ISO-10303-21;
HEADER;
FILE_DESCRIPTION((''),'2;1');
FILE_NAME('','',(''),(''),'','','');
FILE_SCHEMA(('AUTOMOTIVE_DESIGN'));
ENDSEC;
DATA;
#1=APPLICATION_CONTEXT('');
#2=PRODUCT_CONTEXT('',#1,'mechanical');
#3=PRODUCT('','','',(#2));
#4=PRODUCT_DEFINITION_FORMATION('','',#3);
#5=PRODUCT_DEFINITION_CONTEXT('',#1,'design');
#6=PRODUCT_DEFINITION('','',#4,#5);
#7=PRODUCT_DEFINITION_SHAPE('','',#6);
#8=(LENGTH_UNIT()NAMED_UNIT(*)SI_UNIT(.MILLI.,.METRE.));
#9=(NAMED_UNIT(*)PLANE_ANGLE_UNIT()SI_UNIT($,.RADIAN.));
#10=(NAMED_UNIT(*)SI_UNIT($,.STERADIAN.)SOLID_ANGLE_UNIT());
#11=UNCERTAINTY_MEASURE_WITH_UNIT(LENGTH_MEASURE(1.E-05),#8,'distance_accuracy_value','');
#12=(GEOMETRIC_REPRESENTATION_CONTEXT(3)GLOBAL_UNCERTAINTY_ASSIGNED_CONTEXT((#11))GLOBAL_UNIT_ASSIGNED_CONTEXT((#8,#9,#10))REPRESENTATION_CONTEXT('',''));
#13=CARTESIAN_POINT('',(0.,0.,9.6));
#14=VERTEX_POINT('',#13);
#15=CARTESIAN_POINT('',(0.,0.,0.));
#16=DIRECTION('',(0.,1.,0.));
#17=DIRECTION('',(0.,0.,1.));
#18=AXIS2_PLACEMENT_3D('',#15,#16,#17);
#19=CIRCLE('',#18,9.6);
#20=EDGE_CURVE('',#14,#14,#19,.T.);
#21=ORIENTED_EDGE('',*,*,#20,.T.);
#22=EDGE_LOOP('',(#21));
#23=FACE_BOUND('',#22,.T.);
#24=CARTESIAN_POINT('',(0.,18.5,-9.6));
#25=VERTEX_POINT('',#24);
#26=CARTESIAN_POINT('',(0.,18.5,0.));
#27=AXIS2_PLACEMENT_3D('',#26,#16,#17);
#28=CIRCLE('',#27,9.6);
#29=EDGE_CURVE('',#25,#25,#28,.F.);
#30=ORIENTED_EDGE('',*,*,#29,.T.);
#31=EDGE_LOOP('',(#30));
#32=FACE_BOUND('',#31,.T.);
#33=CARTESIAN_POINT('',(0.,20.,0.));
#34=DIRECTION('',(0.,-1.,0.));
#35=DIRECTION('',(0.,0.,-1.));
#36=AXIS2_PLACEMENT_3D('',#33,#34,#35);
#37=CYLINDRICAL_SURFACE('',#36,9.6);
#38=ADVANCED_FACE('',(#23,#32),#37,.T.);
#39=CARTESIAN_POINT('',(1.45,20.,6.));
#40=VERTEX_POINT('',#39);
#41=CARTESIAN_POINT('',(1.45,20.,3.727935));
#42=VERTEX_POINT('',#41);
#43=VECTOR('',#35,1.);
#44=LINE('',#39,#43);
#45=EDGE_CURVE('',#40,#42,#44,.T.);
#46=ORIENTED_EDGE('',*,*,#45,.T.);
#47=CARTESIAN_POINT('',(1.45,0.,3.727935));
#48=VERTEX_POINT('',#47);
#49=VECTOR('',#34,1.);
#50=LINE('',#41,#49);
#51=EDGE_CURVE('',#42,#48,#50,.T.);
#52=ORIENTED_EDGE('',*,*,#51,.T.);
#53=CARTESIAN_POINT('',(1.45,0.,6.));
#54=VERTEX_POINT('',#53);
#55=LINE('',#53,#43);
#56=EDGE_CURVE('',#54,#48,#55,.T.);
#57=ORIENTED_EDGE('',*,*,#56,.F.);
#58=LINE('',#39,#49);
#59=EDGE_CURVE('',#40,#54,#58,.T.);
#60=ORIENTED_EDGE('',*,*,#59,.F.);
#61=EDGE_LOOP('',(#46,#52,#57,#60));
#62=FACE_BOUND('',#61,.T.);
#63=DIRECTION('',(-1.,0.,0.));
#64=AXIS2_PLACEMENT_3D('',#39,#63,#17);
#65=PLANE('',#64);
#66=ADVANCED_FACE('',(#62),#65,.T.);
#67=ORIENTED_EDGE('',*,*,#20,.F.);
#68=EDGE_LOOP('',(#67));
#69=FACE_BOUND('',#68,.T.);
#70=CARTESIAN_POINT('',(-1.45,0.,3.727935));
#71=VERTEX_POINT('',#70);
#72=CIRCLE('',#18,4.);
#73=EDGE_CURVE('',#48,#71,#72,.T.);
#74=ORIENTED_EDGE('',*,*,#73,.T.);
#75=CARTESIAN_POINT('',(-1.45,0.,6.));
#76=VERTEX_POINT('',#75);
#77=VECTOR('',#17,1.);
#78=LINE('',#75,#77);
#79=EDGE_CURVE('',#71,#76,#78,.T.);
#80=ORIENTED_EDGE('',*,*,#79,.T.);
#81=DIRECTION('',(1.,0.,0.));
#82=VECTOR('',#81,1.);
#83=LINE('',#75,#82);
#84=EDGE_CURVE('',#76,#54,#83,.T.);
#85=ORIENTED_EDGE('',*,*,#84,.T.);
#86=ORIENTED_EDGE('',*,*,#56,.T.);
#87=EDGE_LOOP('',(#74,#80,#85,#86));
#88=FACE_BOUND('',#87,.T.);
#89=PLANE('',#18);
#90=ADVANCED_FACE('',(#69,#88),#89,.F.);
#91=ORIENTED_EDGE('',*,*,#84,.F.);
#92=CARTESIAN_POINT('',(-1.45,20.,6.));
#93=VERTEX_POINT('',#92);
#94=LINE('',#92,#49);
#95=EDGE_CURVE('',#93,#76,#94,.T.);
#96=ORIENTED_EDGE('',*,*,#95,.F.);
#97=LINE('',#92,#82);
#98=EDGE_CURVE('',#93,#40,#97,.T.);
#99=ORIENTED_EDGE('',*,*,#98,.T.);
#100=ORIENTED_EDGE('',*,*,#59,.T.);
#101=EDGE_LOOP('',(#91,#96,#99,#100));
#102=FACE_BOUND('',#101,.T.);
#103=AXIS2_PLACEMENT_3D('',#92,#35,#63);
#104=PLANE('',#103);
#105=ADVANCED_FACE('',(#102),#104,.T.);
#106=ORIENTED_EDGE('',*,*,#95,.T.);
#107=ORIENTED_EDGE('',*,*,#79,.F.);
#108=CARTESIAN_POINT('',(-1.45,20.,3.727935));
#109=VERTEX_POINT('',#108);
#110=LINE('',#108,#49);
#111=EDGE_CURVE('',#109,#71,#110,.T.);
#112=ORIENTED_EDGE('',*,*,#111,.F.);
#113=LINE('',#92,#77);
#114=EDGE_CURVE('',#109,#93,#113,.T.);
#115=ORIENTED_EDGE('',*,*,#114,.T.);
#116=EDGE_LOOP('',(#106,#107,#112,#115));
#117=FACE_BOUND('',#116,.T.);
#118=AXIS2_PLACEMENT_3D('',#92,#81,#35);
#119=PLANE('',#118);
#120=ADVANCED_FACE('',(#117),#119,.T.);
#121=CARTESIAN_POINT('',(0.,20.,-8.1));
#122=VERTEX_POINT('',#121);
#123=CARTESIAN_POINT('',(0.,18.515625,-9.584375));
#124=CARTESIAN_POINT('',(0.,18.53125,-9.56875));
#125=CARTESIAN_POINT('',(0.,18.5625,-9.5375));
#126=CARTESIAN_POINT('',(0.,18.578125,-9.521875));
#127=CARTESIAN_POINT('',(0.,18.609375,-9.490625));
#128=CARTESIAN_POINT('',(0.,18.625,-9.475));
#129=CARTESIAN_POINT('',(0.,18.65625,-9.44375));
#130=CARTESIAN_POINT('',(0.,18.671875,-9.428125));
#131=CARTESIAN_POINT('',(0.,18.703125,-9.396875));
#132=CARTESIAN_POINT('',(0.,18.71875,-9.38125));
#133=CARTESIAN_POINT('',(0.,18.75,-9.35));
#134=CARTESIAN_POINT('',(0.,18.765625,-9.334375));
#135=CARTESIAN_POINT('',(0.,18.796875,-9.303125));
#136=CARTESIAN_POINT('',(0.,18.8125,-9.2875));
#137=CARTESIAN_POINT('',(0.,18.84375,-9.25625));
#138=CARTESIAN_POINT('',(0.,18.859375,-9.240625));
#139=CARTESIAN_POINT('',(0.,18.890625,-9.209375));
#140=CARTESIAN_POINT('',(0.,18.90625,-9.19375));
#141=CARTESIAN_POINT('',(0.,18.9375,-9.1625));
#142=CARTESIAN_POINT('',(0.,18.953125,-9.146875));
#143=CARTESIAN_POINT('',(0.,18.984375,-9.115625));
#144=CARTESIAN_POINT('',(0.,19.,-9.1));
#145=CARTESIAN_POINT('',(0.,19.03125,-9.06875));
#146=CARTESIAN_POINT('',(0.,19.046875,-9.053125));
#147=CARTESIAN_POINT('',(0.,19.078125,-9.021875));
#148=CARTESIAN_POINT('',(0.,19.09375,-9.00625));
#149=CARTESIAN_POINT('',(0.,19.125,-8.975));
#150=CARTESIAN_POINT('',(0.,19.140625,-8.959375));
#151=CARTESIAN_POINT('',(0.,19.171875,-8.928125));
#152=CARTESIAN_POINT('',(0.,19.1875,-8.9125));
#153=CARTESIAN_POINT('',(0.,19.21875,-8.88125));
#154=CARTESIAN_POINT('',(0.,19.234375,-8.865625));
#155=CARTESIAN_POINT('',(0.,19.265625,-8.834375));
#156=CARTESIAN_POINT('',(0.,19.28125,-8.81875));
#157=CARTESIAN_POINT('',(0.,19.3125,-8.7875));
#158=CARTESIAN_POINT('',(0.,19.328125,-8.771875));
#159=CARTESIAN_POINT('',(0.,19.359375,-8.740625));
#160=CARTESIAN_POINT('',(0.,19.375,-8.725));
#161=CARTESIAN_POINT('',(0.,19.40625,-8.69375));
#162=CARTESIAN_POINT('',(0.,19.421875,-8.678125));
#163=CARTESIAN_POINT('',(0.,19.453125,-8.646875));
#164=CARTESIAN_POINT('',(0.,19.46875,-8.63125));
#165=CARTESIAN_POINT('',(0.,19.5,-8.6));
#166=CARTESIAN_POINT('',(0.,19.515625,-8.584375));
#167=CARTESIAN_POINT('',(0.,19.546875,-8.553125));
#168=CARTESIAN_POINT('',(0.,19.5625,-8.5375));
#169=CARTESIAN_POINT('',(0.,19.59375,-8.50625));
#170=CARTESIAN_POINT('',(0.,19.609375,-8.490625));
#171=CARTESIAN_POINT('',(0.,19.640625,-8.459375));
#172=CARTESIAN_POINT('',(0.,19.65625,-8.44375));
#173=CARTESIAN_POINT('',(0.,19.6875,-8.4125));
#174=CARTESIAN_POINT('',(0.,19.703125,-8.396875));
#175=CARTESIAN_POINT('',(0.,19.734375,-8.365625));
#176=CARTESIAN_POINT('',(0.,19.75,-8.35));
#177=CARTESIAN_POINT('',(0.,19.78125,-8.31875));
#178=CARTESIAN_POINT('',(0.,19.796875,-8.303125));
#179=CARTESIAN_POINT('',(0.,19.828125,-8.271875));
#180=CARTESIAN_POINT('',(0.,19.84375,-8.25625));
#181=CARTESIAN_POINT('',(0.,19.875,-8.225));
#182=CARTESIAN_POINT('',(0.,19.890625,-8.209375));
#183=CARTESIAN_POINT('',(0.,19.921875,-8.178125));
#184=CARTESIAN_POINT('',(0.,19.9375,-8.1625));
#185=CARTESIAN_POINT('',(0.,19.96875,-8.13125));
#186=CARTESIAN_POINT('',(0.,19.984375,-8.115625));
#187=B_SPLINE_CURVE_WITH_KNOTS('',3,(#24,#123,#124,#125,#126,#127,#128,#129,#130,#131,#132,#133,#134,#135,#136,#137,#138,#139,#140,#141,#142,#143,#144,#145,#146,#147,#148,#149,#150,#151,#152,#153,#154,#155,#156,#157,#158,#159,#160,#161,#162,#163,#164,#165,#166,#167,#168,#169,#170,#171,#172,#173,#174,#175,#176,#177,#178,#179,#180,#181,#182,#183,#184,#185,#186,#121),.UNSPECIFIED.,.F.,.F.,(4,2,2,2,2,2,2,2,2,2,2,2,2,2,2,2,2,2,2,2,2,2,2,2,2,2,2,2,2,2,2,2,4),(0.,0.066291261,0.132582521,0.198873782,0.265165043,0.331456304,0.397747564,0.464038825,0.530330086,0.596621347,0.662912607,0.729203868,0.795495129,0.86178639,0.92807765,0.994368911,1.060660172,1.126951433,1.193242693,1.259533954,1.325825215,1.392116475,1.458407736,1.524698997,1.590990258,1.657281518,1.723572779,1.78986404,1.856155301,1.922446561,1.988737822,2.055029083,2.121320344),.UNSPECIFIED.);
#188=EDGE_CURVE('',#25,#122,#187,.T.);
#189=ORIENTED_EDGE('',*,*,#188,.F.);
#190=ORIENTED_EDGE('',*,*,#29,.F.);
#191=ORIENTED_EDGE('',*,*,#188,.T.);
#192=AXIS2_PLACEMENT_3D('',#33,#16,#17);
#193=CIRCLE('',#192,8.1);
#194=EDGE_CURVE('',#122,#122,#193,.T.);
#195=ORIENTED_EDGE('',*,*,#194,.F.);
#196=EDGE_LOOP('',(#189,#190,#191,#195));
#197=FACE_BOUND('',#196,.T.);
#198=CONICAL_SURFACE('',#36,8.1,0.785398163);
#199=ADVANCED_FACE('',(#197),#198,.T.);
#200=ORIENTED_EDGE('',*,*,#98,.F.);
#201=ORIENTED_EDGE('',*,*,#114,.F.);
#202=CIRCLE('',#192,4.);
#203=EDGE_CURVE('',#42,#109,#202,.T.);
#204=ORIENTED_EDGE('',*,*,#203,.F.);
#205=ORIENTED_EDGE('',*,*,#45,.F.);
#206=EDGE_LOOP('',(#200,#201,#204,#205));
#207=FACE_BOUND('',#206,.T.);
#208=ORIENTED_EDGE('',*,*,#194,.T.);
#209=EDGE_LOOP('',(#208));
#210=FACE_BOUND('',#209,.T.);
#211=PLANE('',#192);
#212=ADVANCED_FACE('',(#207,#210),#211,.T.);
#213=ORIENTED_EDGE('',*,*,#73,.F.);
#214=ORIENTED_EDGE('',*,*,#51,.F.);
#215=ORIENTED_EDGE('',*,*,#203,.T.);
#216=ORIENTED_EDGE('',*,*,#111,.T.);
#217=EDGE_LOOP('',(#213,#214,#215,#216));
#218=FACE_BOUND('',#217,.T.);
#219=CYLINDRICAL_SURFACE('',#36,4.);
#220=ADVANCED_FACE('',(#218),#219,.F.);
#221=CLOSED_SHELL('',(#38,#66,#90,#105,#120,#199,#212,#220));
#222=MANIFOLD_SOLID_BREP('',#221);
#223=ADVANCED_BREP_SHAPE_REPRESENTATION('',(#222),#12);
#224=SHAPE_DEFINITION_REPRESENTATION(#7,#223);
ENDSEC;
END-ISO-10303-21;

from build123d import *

# Parameters (mm, degrees)
SKETCH1_R           = 9.6
BOSS_EXTRUDE1_DEPTH = 20
CHAMFER1_SIZE       = 1.5


with BuildPart() as part:
    # Sketch1 → Boss-Extrude1 (new body)
    with BuildSketch(Plane(origin=(0, 0, 0), x_dir=(1, 0, 0), z_dir=(0, 1, 0))):
        with Locations(Location((0, 0, 0), (0, 0, 270))):
            Circle(SKETCH1_R)
        with BuildLine():
            Line((-1.45, -6), (1.45, -6))
            Line((1.45, -6), (1.45, -3.727935085))
            ThreePointArc((1.45, -3.727935085), (0, 4), (-1.45, -3.727935085))
            Line((-1.45, -3.727935085), (-1.45, -6))
        make_face(mode=Mode.SUBTRACT)
    extrude(amount=BOSS_EXTRUDE1_DEPTH)

    # Chamfer1
    chamfer1_edges = [part.edges().sort_by_distance(p)[0] for p in [
        (0, 20, -9.6),
    ]]
    chamfer(chamfer1_edges, length=CHAMFER1_SIZE)


solid = part.part
